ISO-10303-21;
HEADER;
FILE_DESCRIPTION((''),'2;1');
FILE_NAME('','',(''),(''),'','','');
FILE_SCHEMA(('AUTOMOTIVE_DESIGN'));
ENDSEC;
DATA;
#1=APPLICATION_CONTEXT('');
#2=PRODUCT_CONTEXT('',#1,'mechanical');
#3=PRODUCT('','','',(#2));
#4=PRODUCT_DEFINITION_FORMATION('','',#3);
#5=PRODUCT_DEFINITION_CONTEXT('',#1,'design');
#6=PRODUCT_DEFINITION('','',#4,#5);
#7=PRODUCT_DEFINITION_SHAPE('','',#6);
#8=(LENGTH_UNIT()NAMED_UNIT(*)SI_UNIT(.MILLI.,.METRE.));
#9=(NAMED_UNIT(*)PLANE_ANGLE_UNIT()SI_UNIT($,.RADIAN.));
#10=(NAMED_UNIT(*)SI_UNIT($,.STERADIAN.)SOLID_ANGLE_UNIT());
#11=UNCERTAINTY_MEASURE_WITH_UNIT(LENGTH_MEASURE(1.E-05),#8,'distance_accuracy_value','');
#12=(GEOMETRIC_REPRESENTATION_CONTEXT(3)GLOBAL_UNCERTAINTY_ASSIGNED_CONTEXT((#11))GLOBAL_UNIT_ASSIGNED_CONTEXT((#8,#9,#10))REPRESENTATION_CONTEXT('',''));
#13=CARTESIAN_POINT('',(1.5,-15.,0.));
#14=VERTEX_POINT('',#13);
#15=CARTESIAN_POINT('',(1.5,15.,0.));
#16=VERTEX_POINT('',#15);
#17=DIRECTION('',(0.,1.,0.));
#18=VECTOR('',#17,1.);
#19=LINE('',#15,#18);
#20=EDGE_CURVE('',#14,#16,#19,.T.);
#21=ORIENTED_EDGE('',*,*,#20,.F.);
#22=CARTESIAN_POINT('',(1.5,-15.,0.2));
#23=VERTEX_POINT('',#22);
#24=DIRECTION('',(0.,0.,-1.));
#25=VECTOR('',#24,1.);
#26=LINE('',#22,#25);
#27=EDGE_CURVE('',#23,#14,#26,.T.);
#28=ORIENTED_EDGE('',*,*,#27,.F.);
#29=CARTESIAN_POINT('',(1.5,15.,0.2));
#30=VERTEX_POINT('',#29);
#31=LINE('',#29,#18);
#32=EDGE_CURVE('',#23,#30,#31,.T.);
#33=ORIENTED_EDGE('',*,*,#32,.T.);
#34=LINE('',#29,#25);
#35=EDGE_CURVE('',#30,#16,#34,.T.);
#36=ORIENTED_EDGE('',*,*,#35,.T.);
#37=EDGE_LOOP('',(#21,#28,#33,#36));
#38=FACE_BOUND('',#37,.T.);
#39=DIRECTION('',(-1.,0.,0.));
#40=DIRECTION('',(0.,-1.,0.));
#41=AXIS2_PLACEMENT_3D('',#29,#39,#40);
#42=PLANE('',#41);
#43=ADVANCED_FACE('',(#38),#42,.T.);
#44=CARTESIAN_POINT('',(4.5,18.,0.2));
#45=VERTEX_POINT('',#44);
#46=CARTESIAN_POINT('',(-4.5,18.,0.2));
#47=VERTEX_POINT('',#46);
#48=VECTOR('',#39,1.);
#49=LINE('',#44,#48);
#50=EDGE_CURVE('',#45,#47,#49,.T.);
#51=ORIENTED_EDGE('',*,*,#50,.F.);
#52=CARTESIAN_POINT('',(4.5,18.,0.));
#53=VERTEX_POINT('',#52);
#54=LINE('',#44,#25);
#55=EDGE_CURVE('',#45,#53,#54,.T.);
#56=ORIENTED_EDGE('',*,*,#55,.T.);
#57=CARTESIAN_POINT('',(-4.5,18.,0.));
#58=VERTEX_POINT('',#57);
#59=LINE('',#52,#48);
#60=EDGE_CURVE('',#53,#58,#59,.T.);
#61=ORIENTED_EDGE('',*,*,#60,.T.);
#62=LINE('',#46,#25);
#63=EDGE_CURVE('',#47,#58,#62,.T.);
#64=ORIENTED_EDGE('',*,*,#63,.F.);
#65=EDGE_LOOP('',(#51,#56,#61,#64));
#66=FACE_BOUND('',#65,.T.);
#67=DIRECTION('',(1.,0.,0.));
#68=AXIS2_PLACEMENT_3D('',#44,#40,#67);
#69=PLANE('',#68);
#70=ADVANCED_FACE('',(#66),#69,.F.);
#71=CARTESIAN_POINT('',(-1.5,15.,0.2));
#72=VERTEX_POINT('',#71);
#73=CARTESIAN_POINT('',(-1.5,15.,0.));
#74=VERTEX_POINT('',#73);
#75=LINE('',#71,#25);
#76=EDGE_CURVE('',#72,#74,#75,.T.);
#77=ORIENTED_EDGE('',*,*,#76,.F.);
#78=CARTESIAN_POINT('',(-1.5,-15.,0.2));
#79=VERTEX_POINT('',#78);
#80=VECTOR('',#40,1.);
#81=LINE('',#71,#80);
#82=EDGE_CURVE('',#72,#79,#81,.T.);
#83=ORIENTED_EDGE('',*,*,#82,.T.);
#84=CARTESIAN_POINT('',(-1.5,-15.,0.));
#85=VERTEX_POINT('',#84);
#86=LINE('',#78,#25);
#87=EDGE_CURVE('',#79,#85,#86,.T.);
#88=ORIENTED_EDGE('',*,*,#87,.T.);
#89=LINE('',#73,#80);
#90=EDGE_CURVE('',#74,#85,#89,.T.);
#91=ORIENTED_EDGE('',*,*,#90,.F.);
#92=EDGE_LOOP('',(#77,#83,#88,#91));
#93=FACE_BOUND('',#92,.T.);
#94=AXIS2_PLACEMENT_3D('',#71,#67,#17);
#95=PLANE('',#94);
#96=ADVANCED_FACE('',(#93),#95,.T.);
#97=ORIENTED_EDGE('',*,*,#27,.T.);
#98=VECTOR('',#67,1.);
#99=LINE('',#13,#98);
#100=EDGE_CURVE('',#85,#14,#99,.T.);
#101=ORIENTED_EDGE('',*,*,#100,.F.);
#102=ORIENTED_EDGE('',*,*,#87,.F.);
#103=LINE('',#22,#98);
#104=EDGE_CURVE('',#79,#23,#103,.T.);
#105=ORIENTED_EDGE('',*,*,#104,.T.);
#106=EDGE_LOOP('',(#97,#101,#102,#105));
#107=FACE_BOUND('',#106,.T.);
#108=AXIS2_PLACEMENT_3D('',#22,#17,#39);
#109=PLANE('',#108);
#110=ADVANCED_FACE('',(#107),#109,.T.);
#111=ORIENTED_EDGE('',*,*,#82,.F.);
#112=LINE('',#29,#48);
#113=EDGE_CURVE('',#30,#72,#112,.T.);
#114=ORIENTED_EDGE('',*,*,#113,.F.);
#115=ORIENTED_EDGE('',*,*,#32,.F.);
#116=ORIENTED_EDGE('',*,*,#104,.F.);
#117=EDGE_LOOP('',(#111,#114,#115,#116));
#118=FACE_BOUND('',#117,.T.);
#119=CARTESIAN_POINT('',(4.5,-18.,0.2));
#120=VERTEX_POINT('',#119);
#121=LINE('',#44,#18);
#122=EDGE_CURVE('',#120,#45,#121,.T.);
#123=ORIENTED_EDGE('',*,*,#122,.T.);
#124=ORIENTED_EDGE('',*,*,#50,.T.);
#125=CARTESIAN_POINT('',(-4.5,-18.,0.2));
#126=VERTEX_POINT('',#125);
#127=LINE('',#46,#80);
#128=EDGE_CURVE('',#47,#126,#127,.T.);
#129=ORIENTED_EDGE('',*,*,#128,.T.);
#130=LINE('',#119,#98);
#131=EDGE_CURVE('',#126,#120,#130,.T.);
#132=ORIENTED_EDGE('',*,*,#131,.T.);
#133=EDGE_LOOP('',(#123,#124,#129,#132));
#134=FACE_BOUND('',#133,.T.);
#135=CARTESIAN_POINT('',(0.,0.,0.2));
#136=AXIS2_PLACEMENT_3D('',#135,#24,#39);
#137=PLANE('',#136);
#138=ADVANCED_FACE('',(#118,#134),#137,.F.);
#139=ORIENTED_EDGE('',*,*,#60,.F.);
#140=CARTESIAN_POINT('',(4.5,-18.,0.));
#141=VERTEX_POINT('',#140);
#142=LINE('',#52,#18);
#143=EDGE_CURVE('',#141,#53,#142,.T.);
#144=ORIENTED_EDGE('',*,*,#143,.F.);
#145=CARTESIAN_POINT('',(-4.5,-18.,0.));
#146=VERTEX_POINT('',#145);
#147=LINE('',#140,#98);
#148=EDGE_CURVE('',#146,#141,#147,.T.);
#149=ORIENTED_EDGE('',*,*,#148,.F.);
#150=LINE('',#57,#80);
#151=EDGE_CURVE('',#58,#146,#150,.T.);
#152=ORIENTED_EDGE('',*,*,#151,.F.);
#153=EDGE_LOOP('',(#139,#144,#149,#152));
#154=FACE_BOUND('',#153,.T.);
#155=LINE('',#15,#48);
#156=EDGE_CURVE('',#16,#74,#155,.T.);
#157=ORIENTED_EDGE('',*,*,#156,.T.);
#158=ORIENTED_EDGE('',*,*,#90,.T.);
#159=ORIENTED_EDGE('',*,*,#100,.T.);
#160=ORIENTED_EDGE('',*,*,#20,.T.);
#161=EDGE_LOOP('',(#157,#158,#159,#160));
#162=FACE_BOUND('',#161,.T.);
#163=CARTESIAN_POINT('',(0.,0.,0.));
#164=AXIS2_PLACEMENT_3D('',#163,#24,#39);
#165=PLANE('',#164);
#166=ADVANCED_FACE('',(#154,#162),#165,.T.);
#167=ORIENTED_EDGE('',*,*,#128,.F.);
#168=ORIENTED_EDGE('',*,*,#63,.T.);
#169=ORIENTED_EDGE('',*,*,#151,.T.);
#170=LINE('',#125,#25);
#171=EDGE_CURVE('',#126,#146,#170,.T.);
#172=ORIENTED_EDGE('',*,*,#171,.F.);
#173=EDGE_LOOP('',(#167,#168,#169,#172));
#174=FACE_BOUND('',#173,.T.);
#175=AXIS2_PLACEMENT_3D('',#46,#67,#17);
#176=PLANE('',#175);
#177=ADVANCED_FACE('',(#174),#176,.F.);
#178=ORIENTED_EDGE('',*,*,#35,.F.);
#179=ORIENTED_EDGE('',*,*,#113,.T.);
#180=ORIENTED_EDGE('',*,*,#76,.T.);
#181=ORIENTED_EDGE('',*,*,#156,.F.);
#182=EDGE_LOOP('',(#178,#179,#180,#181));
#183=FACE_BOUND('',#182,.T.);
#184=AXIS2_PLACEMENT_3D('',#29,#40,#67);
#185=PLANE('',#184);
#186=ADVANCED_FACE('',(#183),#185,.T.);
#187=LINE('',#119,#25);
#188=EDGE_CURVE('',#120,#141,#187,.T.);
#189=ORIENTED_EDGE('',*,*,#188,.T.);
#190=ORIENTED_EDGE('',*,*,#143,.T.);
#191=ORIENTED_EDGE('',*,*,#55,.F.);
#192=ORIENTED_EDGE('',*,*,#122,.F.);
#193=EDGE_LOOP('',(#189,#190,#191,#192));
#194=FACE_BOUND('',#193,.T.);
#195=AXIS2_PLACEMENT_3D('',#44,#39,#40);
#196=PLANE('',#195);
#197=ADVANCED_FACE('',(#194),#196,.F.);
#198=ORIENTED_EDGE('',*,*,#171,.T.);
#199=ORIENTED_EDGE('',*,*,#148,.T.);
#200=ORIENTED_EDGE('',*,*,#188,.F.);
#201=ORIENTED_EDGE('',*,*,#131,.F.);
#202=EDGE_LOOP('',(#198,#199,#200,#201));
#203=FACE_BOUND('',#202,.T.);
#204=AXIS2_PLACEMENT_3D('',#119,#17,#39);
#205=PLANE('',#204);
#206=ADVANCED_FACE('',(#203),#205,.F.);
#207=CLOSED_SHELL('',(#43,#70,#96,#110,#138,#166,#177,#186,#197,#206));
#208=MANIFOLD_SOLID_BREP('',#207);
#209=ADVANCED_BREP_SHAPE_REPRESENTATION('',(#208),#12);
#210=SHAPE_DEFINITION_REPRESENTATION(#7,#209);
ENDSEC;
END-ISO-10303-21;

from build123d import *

# Parameters (mm, degrees)
SKETCH1_W           = 9
SKETCH1_H           = 36
SKETCH1_W_2         = 3
SKETCH1_H_2         = 30
BOSS_EXTRUDE1_DEPTH = 0.2


with BuildPart() as part:
    # Sketch1 → Boss-Extrude1 (new body)
    with BuildSketch(Plane.XY):
        Rectangle(SKETCH1_W, SKETCH1_H)
        Rectangle(SKETCH1_W_2, SKETCH1_H_2, mode=Mode.SUBTRACT)
    extrude(amount=BOSS_EXTRUDE1_DEPTH)


solid = part.part
